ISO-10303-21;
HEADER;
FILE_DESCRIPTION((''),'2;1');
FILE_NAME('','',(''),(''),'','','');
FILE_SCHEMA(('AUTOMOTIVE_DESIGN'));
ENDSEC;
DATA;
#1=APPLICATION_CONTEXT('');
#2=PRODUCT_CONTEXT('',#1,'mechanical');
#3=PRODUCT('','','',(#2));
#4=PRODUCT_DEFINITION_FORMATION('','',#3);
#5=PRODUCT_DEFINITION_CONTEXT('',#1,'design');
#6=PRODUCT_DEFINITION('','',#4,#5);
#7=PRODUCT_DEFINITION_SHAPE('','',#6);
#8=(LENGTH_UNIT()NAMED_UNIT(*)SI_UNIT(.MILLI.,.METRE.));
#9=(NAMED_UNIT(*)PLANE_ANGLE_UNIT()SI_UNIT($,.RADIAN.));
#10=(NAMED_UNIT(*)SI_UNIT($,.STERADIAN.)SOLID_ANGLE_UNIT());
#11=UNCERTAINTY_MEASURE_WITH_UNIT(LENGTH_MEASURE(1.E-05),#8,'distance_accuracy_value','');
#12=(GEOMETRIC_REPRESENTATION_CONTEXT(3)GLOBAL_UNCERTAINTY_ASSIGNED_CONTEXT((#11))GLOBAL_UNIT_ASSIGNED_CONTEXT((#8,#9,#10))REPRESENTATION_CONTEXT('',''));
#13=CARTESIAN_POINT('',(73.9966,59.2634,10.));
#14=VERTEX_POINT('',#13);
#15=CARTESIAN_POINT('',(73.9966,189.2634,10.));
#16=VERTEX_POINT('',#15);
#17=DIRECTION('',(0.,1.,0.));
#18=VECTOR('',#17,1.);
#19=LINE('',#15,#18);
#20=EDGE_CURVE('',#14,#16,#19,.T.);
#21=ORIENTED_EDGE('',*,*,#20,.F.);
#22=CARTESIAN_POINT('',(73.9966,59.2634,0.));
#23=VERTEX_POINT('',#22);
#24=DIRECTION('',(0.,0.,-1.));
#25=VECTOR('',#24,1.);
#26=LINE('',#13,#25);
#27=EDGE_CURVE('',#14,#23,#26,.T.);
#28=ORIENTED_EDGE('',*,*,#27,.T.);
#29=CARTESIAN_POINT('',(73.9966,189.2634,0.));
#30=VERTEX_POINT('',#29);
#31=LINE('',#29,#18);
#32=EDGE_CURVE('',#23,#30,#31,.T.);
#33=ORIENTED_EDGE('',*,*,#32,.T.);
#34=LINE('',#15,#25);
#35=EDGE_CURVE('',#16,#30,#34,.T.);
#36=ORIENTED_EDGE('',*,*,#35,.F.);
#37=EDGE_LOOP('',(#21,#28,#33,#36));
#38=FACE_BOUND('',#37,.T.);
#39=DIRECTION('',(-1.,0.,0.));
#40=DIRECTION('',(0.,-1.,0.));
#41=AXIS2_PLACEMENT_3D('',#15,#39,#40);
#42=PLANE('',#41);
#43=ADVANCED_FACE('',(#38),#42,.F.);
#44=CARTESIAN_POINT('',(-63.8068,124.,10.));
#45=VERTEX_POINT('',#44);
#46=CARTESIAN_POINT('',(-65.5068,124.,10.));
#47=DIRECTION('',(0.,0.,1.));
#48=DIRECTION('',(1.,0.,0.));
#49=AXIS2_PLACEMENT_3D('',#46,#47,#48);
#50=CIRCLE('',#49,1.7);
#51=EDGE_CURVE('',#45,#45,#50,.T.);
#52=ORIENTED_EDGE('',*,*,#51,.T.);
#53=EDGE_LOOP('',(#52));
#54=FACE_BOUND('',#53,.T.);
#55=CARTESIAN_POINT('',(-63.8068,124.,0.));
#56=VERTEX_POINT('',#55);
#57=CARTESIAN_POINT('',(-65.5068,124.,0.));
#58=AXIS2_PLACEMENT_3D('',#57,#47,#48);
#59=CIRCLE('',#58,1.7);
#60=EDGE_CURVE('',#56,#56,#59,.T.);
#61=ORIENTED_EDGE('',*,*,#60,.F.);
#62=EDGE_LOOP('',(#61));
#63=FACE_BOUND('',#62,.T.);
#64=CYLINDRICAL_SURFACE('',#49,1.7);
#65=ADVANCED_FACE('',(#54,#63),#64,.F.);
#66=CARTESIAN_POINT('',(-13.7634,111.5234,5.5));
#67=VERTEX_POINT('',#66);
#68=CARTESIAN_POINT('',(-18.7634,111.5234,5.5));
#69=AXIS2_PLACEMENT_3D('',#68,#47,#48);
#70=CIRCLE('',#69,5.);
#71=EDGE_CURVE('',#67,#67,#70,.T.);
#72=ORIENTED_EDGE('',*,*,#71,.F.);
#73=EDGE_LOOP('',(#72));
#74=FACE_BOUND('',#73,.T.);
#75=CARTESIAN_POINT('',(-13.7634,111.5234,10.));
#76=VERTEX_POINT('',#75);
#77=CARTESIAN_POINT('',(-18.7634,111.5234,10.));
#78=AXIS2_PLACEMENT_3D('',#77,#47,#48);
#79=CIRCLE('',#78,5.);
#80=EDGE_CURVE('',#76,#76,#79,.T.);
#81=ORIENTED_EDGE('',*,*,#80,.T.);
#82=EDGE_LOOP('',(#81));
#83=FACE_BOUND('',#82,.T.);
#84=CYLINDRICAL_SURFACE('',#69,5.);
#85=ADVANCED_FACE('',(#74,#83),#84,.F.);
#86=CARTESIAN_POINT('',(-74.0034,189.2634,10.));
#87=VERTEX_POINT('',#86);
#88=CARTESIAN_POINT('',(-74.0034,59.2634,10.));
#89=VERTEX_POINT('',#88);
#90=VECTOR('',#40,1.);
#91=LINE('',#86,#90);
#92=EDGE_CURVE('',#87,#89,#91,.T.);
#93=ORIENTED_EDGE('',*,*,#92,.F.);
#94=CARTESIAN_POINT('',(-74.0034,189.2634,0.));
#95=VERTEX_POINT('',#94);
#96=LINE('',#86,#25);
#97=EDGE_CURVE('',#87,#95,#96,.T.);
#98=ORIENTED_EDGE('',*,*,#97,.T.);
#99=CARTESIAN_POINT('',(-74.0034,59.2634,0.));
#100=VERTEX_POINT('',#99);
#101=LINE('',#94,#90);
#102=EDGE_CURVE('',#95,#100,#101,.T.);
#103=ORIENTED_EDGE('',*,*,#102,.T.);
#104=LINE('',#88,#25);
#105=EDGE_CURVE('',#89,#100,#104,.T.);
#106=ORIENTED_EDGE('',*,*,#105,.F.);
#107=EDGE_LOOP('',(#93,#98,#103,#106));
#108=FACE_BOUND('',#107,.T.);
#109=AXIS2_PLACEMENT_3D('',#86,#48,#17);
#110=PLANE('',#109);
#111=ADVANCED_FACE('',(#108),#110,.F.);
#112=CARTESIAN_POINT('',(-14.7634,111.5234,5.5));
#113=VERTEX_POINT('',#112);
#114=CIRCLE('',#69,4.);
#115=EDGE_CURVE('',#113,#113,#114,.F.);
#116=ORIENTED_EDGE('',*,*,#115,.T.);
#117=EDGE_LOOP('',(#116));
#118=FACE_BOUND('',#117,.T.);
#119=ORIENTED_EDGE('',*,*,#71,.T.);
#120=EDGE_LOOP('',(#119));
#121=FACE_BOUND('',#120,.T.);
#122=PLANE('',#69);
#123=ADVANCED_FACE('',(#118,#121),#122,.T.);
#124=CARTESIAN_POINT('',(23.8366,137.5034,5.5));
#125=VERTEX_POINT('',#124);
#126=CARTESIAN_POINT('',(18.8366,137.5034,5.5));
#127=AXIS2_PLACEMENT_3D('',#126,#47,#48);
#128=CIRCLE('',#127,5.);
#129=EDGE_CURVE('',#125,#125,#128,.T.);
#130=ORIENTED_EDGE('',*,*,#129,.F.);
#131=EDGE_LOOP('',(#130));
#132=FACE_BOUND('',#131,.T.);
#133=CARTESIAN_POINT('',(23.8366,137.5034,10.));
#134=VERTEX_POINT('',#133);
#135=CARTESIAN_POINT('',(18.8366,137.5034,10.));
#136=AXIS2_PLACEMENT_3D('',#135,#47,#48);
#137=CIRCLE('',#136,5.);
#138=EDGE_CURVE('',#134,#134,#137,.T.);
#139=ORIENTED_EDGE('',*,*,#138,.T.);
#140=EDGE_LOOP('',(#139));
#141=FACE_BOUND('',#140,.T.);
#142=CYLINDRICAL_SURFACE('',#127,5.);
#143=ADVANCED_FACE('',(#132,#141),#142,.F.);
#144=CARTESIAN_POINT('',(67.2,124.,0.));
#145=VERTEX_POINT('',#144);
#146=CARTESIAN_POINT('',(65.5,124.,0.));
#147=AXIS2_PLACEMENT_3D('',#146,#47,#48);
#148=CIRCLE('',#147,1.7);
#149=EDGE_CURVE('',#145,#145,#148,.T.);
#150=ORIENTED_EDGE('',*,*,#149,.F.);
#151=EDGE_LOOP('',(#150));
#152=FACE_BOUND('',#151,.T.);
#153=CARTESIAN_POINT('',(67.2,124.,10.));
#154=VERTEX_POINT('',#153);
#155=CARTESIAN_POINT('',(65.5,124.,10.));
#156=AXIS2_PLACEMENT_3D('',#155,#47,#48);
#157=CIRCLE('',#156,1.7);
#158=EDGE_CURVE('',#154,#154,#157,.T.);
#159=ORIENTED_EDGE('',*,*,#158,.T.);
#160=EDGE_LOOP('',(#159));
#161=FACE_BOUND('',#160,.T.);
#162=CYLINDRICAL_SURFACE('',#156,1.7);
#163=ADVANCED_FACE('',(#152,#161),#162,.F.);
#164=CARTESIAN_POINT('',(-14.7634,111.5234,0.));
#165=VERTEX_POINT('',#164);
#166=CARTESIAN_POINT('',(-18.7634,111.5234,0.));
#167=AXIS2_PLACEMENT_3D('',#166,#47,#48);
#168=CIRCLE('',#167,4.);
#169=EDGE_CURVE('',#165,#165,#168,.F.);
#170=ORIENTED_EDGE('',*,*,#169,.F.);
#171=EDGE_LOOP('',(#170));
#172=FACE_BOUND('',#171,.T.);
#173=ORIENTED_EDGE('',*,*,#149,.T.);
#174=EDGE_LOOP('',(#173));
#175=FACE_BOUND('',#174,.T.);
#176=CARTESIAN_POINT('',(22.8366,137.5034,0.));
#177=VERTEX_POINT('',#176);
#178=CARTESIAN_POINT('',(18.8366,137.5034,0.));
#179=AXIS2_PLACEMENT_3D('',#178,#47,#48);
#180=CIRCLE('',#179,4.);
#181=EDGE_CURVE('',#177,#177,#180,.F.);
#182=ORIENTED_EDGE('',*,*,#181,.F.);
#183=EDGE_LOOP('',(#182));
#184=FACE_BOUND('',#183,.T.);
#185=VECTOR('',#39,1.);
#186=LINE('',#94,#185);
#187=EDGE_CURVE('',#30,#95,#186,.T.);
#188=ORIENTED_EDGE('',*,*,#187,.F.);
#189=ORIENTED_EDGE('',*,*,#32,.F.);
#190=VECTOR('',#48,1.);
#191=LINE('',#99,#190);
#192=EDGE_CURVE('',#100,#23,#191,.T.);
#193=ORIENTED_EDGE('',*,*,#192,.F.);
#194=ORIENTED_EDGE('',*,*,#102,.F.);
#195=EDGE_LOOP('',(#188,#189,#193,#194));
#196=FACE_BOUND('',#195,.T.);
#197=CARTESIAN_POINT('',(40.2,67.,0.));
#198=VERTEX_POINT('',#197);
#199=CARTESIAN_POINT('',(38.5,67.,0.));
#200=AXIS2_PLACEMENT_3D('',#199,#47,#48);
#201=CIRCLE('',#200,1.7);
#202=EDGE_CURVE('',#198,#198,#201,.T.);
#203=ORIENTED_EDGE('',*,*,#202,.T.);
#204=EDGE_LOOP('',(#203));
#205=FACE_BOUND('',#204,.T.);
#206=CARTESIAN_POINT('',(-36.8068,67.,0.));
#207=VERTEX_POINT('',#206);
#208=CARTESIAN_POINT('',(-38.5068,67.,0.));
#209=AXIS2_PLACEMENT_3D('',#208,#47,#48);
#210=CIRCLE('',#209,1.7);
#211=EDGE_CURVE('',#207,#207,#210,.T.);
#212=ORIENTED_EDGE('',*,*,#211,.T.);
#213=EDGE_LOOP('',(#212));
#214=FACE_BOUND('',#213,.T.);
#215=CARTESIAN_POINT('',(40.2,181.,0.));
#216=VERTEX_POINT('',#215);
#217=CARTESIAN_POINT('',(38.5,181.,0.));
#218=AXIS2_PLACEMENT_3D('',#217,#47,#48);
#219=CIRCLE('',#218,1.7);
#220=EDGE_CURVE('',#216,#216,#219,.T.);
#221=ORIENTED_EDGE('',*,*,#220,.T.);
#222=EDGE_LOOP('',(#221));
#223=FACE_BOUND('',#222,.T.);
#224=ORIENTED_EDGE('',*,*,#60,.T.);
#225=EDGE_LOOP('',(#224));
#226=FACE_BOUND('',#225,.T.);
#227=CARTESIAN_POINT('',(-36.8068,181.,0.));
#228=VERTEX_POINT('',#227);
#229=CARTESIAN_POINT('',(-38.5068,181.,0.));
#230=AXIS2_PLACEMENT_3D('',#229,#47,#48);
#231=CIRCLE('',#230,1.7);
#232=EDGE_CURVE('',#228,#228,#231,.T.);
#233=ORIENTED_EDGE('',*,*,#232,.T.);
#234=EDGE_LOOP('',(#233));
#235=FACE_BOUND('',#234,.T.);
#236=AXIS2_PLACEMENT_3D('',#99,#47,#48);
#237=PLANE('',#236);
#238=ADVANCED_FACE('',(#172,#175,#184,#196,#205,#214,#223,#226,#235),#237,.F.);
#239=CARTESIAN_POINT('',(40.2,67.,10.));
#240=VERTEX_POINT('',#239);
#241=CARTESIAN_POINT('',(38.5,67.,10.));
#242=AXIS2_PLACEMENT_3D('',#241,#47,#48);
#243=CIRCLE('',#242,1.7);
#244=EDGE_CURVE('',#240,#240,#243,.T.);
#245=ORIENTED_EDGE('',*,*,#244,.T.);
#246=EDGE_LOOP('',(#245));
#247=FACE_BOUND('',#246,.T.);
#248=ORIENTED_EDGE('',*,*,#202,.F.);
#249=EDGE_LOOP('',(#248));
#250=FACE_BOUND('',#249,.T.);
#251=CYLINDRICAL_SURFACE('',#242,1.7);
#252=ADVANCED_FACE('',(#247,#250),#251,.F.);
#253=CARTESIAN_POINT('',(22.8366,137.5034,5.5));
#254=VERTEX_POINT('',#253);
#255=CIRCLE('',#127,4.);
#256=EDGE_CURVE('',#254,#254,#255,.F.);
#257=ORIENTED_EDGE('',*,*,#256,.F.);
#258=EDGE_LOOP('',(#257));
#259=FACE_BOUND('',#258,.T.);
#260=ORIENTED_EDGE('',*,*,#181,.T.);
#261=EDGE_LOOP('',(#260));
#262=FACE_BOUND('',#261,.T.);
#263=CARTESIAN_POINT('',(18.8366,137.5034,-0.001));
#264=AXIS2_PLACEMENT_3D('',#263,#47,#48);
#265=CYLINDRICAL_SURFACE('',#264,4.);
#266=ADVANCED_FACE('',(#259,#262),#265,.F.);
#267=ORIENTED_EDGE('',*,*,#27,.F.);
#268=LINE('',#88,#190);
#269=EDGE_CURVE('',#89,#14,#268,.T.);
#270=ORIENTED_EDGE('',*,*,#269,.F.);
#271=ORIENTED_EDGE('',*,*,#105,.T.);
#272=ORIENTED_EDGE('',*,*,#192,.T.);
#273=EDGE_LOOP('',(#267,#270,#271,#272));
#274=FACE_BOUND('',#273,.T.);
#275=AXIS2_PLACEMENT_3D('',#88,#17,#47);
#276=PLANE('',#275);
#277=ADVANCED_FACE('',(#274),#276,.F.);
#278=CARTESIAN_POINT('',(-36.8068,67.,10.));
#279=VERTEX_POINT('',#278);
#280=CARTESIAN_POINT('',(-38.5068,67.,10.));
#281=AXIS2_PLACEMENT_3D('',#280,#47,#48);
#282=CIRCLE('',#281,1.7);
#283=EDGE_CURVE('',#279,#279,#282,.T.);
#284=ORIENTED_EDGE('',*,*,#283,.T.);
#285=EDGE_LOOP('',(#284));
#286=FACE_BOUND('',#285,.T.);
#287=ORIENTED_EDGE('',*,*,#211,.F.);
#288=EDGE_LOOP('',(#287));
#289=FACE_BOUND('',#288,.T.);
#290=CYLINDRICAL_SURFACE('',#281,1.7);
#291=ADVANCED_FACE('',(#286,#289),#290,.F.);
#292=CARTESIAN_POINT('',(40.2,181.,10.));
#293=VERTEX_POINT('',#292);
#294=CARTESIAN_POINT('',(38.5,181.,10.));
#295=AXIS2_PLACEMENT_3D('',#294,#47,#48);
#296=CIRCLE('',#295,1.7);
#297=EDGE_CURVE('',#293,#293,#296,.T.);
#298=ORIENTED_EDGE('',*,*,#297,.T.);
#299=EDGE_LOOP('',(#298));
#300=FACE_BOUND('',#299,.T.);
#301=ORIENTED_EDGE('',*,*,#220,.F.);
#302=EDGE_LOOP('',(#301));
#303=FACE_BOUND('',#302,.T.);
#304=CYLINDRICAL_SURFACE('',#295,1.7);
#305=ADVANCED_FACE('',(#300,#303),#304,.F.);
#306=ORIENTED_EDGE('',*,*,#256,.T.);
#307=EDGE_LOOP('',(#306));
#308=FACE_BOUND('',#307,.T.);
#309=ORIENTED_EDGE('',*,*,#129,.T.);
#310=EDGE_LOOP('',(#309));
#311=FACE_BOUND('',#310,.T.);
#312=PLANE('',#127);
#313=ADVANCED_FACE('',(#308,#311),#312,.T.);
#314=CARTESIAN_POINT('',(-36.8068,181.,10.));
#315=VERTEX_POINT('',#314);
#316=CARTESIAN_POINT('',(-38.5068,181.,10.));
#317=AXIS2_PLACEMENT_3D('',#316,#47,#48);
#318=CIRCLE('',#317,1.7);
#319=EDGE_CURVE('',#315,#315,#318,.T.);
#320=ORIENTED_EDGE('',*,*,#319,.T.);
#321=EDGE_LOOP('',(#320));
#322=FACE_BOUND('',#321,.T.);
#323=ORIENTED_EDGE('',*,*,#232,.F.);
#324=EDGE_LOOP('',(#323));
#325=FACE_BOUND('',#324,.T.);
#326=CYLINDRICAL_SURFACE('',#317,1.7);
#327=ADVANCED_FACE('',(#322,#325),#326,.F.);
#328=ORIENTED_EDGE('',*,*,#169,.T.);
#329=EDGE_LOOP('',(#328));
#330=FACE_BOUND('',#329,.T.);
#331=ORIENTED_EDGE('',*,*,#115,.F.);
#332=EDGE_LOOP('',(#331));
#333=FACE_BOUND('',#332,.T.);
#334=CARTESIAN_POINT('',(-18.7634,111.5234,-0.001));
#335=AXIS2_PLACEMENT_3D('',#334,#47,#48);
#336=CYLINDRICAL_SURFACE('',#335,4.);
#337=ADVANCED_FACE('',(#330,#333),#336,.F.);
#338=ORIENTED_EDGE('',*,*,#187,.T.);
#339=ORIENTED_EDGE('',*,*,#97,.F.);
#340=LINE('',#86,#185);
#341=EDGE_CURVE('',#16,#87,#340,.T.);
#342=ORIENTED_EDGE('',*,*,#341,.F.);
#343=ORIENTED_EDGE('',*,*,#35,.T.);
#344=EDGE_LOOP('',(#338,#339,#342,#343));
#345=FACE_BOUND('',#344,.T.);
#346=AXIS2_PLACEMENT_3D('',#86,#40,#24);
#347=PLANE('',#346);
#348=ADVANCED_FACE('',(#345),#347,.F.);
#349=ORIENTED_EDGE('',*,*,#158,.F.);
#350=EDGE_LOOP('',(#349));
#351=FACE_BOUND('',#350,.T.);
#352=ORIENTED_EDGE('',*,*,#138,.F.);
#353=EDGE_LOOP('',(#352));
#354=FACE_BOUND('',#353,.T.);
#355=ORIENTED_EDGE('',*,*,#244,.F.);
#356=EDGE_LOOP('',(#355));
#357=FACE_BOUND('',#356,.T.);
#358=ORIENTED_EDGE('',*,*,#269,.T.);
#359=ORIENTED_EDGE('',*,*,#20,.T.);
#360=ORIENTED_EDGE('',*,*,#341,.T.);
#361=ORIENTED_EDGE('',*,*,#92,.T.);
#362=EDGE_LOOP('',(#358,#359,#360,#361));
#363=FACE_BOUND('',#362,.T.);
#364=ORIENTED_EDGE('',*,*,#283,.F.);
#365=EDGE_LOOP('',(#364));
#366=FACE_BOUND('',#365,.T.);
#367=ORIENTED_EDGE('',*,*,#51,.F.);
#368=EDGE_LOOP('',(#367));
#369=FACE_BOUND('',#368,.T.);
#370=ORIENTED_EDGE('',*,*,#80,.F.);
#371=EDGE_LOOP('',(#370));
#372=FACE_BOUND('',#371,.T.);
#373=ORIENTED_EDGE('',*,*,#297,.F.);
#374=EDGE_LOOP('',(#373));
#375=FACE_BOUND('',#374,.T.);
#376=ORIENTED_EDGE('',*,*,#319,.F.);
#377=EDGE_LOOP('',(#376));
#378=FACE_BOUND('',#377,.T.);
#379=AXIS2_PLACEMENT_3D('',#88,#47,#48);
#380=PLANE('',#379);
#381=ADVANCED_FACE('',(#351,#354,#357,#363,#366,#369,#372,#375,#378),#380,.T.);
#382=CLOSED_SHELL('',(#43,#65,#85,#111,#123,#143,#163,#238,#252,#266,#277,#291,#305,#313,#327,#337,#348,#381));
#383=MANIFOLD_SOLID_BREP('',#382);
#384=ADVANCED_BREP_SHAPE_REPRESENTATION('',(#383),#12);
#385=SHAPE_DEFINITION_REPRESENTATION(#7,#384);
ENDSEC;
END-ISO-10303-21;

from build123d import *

# Parameters (mm, degrees)
ESBO_O1_W                  = 148
ESBO_O1_H                  = 130
RESSALTO_EXTRUS_O1_DEPTH   = 10
FURO_COM_FOLGA_DE_M3X0_5_D = 3.4
ESBO_O5_R                  = 5
CORTE_EXTRUS_O1_DEPTH      = 4.5
CORTE_EXTRUS_O2_REACH      = 205.463
ESBO_O6_R                  = 4


with BuildPart() as part:
    # Esboço1 → Ressalto-extrusão1 (new body)
    with BuildSketch(Plane.XY):
        with Locations((-0.0034, 124.2634)):
            Rectangle(ESBO_O1_W, ESBO_O1_H)
    extrude(amount=RESSALTO_EXTRUS_O1_DEPTH)

    # Furo com folga de M3X0.5 (through all)
    with Locations(Plane.XY.offset(10)):
        with Locations((38.5, 67), (-38.5068, 67), (65.5, 124), (-65.5068, 124), (-38.5068, 181), (38.5, 181)):
            Hole(FURO_COM_FOLGA_DE_M3X0_5_D / 2)

    # Esboço5 → Corte-extrusão1 (cut)
    with BuildSketch(Plane.XY.offset(10)):
        with Locations((-18.7634, 111.5234)):
            Circle(ESBO_O5_R)
        with Locations((18.8366, 137.5034)):
            Circle(ESBO_O5_R)
    extrude(amount=-CORTE_EXTRUS_O1_DEPTH, mode=Mode.SUBTRACT)

    # Esboço6 → Corte-extrusão2 (cut, up to next)
    with BuildSketch(Plane.XY.offset(10), mode=Mode.PRIVATE) as corte_extrus_o2_sk1:
        with Locations((-18.7634, 111.5234)):
            Circle(ESBO_O6_R)
    corte_extrus_o2_tool1 = extrude(corte_extrus_o2_sk1.sketch, amount=-CORTE_EXTRUS_O2_REACH, mode=Mode.PRIVATE) & part.part
    # Esboço6 → Corte-extrusão2 (cut, up to next)
    with BuildSketch(Plane.XY.offset(10), mode=Mode.PRIVATE) as corte_extrus_o2_sk2:
        with Locations((18.8366, 137.5034)):
            Circle(ESBO_O6_R)
    corte_extrus_o2_tool2 = extrude(corte_extrus_o2_sk2.sketch, amount=-CORTE_EXTRUS_O2_REACH, mode=Mode.PRIVATE) & part.part
    add(corte_extrus_o2_tool1.solids().sort_by_distance((-18.7634, 111.5234, 10))[0], mode=Mode.SUBTRACT)
    add(corte_extrus_o2_tool2.solids().sort_by_distance((18.8366, 137.5034, 10))[0], mode=Mode.SUBTRACT)


solid = part.part
